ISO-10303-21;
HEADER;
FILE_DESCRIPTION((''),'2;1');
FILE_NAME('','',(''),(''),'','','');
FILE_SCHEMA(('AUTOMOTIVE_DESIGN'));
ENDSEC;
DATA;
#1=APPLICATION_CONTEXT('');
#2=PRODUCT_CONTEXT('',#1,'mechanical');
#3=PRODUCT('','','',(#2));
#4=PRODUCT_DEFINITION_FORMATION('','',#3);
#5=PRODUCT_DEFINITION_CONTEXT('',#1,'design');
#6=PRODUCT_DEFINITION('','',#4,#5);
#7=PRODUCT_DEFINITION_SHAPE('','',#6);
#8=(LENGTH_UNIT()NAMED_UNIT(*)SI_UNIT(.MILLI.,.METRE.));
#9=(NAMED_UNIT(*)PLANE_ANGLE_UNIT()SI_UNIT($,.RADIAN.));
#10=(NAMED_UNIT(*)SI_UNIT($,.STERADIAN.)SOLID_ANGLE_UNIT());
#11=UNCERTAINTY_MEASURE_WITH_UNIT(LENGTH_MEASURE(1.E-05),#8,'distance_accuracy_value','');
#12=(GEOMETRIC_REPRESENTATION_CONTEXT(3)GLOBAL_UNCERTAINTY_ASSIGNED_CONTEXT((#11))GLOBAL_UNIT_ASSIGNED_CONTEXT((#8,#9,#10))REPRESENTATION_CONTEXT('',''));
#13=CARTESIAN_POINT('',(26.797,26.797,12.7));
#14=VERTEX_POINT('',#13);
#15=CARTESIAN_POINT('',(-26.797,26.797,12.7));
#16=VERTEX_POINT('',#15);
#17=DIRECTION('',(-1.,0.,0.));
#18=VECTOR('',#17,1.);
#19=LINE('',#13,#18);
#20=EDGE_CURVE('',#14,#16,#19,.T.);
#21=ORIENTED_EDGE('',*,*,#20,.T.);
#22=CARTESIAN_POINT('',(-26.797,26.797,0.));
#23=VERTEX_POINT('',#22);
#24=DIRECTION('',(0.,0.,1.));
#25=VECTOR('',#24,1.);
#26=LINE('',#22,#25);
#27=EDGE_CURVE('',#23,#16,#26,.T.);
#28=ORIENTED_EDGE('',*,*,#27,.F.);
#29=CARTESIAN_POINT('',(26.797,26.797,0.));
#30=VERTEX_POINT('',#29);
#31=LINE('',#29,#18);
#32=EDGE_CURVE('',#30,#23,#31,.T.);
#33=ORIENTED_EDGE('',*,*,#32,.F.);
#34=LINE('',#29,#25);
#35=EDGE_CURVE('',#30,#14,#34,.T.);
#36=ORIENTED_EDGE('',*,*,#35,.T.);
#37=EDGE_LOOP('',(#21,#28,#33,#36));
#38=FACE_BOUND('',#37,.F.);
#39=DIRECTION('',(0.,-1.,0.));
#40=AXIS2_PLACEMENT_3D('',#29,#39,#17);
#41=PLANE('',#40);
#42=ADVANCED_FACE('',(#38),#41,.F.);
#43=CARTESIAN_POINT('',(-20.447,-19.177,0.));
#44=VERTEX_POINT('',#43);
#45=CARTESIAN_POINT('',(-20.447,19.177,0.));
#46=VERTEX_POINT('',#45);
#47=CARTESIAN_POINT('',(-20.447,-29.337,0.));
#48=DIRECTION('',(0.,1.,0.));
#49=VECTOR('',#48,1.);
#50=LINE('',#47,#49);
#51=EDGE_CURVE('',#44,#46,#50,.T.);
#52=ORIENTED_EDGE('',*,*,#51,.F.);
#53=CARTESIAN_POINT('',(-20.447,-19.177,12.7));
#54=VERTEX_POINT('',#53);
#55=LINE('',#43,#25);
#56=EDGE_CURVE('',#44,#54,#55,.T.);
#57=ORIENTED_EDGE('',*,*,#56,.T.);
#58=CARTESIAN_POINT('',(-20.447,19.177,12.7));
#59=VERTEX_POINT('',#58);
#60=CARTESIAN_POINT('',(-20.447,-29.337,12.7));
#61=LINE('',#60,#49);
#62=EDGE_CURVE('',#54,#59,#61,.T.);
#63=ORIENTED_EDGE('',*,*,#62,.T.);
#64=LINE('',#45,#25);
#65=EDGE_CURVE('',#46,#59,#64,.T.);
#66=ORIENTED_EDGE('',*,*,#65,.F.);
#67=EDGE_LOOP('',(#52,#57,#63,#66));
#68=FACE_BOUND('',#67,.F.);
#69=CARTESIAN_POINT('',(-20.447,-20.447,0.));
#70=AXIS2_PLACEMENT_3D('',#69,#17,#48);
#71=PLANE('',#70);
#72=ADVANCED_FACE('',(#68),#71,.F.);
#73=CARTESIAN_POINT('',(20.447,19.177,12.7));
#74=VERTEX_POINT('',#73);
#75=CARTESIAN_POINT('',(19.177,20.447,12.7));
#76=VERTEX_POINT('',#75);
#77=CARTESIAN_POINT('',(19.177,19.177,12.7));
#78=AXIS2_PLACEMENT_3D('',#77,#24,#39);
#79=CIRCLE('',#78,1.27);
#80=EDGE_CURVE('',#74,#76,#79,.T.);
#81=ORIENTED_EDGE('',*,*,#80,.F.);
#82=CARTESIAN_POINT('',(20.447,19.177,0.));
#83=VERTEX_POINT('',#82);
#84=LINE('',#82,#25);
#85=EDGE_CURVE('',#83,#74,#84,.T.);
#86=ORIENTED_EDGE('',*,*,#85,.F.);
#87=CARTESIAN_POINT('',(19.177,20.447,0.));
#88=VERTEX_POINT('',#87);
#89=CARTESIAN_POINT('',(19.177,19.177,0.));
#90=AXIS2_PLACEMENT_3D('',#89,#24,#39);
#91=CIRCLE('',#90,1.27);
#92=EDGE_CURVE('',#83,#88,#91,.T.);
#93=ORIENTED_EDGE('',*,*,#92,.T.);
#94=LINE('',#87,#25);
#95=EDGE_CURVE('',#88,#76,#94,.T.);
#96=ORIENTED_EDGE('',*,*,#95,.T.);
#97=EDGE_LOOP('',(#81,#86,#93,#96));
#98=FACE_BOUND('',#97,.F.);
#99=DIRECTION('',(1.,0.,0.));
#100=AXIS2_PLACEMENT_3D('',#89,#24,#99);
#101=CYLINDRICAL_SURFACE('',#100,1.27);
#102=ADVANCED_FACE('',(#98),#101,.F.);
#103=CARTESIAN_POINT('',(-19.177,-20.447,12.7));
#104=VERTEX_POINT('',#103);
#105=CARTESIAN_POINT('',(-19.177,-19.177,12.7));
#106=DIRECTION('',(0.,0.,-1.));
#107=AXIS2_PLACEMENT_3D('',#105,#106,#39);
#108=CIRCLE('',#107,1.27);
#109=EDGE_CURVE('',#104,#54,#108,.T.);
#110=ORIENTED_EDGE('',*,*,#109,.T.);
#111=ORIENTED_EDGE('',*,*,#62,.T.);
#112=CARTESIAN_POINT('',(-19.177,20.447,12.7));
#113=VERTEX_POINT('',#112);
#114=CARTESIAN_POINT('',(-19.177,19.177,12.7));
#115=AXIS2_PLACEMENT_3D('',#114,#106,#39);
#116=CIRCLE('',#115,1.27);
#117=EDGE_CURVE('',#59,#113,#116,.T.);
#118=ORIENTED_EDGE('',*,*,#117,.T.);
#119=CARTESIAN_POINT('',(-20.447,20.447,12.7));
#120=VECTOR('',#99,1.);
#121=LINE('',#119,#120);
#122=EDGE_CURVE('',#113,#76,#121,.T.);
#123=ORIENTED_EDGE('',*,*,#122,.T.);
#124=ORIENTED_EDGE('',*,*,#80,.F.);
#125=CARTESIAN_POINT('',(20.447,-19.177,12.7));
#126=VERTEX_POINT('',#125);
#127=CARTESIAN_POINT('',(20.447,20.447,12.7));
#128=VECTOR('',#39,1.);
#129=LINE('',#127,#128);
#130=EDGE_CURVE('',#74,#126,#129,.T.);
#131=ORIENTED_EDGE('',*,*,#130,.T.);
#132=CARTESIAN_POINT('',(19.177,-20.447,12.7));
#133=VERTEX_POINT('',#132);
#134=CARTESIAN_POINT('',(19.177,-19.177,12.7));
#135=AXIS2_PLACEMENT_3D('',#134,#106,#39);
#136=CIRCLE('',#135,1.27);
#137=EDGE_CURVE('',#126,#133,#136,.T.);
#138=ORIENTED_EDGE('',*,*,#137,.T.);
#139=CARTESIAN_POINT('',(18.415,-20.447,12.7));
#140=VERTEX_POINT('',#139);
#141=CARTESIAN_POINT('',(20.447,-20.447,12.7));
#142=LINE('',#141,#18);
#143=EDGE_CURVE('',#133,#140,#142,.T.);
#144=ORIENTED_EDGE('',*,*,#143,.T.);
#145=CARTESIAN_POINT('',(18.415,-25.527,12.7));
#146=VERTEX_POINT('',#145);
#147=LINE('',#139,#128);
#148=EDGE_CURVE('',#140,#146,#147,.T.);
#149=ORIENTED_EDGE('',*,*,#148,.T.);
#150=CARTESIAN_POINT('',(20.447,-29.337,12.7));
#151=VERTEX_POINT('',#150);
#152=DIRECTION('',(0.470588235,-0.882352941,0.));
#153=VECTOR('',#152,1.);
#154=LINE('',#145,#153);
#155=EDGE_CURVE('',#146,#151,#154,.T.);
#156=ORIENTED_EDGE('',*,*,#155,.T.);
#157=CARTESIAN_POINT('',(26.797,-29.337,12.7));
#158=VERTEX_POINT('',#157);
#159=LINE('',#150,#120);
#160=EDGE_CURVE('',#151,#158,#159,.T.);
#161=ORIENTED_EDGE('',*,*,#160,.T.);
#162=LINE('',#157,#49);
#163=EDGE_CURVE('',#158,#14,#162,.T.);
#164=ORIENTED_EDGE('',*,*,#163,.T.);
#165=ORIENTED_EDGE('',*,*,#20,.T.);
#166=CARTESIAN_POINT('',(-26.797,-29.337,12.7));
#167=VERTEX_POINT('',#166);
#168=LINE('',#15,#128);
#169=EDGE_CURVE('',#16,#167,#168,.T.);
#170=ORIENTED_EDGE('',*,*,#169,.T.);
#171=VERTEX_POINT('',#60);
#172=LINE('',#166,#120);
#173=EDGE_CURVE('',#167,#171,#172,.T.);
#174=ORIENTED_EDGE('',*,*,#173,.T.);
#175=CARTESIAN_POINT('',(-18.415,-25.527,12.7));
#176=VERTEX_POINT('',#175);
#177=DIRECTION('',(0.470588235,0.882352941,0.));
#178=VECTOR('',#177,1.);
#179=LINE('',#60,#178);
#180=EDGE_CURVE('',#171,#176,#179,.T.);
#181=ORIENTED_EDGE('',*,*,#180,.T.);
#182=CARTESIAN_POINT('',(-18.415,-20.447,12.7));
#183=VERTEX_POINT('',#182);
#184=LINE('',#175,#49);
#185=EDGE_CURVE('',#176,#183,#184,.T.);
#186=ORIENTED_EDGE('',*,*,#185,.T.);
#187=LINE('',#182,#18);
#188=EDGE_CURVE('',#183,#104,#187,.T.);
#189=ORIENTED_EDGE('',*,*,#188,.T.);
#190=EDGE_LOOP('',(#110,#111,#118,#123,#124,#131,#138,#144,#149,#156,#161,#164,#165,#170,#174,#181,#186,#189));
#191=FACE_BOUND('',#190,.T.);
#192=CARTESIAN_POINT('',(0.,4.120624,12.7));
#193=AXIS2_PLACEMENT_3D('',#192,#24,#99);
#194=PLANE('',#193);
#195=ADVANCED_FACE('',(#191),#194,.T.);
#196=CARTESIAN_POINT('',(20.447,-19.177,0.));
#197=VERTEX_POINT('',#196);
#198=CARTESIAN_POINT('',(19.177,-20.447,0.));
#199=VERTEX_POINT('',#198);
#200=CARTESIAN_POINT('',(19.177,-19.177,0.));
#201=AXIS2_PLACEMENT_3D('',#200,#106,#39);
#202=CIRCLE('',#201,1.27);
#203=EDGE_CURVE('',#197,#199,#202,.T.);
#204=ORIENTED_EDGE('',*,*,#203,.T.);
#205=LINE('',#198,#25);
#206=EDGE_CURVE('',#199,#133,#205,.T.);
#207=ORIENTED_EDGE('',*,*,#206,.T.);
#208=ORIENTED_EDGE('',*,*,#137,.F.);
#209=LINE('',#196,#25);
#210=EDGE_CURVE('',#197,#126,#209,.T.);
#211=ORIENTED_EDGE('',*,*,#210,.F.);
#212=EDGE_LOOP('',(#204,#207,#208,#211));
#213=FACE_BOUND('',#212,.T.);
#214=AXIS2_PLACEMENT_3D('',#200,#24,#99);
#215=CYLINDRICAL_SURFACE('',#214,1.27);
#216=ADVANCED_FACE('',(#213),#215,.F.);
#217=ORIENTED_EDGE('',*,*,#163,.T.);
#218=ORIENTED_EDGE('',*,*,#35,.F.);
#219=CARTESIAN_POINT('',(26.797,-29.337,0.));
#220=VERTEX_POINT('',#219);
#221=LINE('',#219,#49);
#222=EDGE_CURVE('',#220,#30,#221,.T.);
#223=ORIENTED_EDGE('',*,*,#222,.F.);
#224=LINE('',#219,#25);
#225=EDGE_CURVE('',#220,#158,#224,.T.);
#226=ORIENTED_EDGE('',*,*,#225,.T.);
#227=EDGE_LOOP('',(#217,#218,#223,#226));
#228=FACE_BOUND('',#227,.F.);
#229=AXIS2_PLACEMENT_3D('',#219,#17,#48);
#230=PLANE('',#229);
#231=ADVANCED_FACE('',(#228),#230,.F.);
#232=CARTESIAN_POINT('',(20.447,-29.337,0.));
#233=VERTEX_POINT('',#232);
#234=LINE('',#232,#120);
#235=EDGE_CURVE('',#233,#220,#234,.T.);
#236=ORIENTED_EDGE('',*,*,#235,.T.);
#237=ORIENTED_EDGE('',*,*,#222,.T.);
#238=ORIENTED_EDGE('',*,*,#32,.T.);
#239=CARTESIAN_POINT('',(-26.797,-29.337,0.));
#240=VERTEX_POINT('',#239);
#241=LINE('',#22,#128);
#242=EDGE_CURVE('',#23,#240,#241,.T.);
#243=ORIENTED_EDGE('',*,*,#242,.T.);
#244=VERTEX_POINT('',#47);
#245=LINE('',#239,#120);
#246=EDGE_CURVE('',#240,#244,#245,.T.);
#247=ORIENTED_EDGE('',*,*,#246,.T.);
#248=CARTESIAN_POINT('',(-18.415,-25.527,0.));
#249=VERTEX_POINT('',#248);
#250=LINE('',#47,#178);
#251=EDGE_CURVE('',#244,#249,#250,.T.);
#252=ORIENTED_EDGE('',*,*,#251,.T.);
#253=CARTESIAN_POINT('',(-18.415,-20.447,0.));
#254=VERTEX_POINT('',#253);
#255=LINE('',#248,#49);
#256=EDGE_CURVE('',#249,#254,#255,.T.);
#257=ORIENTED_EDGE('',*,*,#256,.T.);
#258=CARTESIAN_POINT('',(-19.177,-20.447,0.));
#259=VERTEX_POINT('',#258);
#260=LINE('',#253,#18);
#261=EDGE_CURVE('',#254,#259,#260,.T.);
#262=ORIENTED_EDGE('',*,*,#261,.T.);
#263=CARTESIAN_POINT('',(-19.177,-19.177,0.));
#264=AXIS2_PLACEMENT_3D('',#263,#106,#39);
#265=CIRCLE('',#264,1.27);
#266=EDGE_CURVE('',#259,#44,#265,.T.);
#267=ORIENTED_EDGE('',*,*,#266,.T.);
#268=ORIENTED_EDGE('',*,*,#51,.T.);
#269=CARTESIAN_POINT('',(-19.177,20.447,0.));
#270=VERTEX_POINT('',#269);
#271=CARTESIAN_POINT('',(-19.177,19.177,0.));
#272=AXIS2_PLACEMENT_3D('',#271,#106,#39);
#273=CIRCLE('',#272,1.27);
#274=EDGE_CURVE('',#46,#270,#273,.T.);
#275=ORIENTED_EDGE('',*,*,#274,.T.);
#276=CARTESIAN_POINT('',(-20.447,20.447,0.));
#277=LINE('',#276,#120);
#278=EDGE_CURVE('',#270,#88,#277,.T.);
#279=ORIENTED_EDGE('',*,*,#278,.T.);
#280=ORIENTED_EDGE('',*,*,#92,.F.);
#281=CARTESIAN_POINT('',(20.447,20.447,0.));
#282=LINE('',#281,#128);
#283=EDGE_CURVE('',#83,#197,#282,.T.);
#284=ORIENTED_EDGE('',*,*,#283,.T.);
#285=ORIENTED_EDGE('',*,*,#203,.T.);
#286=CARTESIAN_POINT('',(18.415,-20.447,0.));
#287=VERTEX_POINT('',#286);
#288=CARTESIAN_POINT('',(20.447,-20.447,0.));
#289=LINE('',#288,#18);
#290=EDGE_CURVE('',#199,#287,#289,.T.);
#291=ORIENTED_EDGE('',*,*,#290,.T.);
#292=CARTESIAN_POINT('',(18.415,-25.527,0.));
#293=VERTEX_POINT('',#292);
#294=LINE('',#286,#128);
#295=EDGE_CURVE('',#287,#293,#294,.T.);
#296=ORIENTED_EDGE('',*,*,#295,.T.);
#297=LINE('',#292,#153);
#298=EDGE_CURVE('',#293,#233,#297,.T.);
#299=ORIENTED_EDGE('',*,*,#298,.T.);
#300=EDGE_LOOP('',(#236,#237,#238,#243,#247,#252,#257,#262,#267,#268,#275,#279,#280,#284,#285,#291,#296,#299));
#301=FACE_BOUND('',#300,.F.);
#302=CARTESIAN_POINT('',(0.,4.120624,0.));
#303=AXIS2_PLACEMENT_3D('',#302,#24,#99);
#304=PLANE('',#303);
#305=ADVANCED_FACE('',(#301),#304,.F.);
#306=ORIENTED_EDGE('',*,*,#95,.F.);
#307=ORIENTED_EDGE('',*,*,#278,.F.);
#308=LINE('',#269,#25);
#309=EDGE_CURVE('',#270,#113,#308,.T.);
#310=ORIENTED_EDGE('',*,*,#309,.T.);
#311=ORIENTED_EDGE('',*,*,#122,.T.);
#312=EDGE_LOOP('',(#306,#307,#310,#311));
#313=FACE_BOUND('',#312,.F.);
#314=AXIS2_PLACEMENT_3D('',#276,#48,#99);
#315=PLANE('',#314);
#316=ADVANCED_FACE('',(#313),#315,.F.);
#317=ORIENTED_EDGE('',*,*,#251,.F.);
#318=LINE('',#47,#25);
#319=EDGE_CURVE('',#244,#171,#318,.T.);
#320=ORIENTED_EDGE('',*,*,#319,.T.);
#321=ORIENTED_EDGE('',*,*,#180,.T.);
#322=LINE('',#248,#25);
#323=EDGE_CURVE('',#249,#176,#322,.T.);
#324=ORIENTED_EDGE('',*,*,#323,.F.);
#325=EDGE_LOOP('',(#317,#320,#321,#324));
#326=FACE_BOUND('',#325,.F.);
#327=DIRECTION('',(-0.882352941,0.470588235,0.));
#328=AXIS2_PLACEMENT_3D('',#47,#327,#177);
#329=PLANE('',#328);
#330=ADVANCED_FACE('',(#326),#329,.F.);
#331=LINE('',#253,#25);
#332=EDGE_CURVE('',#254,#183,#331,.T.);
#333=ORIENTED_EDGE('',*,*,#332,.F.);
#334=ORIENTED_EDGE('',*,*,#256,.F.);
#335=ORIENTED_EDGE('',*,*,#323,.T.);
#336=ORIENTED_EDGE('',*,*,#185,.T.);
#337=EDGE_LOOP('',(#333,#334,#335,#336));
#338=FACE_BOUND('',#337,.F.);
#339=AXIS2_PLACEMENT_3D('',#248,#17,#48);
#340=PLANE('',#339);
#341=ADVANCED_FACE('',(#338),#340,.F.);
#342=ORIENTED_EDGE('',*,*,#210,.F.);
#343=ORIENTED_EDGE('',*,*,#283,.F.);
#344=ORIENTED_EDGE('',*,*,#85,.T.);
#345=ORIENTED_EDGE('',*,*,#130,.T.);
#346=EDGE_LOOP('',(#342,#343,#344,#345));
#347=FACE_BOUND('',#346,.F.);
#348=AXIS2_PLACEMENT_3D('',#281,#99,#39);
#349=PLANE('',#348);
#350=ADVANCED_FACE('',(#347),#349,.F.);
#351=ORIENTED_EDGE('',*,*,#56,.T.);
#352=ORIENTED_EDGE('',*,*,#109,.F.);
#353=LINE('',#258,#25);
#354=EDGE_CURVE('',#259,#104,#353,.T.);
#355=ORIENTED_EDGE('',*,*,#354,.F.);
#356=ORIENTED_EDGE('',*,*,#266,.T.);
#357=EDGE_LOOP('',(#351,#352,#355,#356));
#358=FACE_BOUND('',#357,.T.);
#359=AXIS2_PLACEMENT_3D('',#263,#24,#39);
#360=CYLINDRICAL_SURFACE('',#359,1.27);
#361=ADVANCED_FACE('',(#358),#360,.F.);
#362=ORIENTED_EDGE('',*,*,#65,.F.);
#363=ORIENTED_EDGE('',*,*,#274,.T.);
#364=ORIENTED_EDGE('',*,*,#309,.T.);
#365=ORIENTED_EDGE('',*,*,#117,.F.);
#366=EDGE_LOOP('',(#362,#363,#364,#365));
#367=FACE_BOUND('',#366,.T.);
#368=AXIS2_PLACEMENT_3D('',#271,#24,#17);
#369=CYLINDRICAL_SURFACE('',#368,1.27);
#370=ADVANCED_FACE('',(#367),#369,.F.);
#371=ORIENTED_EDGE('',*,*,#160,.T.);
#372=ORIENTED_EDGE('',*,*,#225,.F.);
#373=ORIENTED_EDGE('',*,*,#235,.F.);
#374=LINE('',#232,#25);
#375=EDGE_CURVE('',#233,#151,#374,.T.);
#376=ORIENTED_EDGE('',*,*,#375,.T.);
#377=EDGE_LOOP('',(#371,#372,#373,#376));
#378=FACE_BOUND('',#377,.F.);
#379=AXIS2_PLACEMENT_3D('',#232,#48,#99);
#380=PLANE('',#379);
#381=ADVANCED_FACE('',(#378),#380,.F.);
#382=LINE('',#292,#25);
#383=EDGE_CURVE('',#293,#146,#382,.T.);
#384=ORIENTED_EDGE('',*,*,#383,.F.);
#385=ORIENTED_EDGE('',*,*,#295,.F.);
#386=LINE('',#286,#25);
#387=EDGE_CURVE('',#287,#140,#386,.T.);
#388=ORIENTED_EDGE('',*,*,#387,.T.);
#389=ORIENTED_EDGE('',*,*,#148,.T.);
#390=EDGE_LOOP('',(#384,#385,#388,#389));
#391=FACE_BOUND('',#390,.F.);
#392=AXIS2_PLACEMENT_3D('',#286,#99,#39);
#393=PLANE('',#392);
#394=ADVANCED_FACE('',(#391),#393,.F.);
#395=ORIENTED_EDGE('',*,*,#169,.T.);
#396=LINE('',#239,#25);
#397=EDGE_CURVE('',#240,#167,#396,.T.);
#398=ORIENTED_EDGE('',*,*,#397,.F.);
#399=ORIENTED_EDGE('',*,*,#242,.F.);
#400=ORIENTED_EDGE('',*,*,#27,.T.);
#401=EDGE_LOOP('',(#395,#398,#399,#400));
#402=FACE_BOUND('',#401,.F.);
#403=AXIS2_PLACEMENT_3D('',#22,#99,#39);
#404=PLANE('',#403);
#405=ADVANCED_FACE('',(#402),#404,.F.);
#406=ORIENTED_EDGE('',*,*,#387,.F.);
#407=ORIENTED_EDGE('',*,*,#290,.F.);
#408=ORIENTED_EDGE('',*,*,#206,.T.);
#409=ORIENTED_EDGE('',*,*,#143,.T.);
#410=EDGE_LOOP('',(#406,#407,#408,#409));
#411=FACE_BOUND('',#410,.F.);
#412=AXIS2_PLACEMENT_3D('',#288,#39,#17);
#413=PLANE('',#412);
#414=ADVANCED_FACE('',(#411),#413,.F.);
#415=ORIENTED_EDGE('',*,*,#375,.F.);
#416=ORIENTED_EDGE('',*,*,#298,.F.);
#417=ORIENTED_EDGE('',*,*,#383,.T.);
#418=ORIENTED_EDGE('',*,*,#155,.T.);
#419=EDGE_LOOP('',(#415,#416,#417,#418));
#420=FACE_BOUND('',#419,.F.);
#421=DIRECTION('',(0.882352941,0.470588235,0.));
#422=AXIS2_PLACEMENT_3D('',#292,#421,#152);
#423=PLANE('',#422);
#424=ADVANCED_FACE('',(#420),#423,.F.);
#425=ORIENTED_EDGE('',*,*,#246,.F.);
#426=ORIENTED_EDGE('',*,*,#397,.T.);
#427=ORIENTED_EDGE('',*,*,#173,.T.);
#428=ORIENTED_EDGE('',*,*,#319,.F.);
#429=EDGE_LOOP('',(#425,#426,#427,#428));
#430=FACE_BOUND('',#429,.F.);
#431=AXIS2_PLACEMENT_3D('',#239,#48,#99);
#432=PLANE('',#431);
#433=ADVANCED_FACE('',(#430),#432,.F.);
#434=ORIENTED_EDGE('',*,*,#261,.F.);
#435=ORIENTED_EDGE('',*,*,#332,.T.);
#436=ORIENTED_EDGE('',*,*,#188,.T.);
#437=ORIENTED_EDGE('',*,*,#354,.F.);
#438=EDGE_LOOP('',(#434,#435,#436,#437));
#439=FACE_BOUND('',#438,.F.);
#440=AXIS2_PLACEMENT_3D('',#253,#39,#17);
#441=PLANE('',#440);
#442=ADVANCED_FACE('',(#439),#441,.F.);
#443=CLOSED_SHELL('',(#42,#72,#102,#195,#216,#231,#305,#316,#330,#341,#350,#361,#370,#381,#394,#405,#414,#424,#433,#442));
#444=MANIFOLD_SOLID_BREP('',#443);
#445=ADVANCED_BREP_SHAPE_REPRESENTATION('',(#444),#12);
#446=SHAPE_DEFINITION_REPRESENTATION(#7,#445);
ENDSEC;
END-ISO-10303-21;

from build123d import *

# Parameters (mm, degrees)
F1_DEPTH = 12.7
F2_R     = 1.27


with BuildPart() as f1:
    # F0 (on Top) → F1 (new body)
    with BuildSketch(Plane.XY):
        Polygon((20.447, 20.447), (20.447, -20.447), (20.447, -29.337), (26.797, -29.337), (26.797, 26.797), (-26.797, 26.797), (-26.797, 20.447), (-26.797, -29.337), (-20.447, -29.337), (-20.447, -20.447), (-20.447, 20.447), align=None)
        Polygon((-18.415, -25.527), (-18.415, -20.447), (-20.447, -20.447), (-20.447, -29.337), align=None)
        Polygon((20.447, -29.337), (20.447, -20.447), (18.415, -20.447), (18.415, -25.527), align=None)
    extrude(amount=F1_DEPTH)

    # F2
    f2_edges = [f1.edges().sort_by_distance(p)[0] for p in [
        (-20.447, 20.447, 6.35),
        (20.447, 20.447, 6.35),
        (-20.447, -20.447, 6.35),
        (20.447, -20.447, 6.35),
    ]]
    fillet(f2_edges, radius=F2_R)


solid = f1.part
